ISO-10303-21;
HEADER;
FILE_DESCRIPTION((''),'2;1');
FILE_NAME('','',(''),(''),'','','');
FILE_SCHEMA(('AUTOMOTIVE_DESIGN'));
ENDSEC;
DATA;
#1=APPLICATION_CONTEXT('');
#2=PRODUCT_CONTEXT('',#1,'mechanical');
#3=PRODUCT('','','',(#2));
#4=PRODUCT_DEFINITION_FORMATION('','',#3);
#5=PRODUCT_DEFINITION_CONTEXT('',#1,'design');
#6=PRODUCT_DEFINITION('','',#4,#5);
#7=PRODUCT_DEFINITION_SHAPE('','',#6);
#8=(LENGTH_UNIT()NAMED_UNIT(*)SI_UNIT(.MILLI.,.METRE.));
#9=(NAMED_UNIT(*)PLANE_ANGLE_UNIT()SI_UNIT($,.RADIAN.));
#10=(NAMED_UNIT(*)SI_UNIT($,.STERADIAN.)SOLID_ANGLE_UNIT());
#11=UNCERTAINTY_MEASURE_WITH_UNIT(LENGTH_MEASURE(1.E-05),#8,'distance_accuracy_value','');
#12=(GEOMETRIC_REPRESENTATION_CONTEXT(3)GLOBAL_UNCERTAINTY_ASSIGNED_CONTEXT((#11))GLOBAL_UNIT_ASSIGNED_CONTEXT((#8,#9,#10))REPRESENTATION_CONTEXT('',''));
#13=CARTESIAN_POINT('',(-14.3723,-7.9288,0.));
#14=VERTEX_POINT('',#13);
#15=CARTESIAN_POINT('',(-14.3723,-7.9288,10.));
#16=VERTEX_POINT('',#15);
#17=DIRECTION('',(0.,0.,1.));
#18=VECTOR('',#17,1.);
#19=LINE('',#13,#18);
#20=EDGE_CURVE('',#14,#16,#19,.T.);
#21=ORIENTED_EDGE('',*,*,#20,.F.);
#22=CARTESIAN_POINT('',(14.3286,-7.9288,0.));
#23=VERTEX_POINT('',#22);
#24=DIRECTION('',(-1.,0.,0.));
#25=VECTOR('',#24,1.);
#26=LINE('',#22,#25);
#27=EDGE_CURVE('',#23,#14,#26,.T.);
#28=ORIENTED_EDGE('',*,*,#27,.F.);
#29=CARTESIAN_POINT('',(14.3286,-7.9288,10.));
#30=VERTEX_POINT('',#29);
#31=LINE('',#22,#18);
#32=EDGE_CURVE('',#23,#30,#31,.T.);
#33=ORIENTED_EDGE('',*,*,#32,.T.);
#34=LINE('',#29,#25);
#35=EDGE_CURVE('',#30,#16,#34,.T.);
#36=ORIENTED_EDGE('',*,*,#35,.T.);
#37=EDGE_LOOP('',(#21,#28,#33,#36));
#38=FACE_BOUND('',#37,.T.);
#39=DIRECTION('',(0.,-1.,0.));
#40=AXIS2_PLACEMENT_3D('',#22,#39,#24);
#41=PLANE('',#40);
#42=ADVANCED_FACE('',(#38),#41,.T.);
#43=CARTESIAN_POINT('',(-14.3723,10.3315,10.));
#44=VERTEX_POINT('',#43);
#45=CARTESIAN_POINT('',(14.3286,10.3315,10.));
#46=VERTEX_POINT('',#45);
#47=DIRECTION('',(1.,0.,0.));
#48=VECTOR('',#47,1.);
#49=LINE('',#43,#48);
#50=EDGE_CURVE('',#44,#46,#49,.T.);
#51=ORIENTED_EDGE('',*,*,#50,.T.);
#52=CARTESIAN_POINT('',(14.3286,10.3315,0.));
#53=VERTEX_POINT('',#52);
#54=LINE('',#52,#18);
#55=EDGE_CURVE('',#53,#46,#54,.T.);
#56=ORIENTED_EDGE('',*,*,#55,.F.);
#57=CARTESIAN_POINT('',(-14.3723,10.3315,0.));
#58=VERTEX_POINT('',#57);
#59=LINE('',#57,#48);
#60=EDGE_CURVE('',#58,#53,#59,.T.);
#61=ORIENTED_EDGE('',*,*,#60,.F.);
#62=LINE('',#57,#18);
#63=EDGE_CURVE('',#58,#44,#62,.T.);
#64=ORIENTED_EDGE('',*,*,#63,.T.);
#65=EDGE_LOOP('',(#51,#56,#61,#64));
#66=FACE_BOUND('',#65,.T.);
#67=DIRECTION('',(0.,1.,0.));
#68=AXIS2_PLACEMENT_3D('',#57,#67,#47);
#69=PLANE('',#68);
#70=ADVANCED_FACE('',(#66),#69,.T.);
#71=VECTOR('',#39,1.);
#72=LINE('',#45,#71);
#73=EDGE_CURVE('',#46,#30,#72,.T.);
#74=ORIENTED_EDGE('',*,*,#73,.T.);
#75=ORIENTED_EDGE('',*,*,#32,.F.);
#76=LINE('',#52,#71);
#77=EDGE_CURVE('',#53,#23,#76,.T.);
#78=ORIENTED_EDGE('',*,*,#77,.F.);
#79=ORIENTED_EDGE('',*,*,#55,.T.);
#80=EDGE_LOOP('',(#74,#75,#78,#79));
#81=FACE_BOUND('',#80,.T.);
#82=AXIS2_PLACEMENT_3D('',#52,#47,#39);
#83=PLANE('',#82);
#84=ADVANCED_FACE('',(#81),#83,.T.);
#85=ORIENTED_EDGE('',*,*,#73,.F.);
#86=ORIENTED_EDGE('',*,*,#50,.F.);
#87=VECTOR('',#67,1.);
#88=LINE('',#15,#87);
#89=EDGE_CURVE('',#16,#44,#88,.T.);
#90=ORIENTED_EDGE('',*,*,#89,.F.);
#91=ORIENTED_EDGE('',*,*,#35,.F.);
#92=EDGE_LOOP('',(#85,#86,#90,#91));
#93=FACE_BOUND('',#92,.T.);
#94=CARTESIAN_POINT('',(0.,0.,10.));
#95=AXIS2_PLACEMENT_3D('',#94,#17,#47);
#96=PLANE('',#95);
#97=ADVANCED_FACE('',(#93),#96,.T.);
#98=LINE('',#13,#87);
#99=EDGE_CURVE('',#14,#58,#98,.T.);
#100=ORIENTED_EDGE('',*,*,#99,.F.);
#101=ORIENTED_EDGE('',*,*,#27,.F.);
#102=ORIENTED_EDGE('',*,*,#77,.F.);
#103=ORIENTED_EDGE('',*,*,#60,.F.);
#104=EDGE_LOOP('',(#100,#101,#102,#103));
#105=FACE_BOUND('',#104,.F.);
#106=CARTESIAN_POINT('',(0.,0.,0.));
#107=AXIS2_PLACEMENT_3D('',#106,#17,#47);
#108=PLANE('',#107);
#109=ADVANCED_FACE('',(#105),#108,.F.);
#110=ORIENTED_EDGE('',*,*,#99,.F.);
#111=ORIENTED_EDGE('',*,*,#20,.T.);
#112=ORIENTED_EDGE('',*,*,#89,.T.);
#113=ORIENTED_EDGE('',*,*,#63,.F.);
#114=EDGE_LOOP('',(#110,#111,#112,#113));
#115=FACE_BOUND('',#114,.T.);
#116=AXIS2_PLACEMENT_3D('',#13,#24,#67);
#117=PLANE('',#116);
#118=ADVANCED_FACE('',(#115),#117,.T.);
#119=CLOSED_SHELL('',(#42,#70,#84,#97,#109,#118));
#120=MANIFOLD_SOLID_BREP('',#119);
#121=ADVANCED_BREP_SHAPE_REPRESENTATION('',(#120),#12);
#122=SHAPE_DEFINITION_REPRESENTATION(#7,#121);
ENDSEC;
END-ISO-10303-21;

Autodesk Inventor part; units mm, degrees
ref_plane "YZ Plane" through (0, 0, 0) normal (1, 0, 0) x (0, 1, 0)
ref_plane "XZ Plane" through (0, 0, 0) normal (0, 1, 0) x (-1, 0, 0)
ref_plane "XY Plane" through (0, 0, 0) normal (0, 0, 1) x (1, 0, 0)
sketch "Sketch1" plane through (0, 0, 0) normal (0, 0, 1) x (1, 0, 0)
  line L0 (-14.3723, 10.3315) -> (14.3286, 10.3315)
  line L1 (14.3286, 10.3315) -> (14.3286, -7.9288)
  line L2 (14.3286, -7.9288) -> (-14.3723, -7.9288)
  line L3 (-14.3723, -7.9288) -> (-14.3723, 10.3315)
  point P0 (0, 0)
extrude "Extrusion1" add sketch "Sketch1" along normal blind 10
properties part number "Carroserie 1.0"
